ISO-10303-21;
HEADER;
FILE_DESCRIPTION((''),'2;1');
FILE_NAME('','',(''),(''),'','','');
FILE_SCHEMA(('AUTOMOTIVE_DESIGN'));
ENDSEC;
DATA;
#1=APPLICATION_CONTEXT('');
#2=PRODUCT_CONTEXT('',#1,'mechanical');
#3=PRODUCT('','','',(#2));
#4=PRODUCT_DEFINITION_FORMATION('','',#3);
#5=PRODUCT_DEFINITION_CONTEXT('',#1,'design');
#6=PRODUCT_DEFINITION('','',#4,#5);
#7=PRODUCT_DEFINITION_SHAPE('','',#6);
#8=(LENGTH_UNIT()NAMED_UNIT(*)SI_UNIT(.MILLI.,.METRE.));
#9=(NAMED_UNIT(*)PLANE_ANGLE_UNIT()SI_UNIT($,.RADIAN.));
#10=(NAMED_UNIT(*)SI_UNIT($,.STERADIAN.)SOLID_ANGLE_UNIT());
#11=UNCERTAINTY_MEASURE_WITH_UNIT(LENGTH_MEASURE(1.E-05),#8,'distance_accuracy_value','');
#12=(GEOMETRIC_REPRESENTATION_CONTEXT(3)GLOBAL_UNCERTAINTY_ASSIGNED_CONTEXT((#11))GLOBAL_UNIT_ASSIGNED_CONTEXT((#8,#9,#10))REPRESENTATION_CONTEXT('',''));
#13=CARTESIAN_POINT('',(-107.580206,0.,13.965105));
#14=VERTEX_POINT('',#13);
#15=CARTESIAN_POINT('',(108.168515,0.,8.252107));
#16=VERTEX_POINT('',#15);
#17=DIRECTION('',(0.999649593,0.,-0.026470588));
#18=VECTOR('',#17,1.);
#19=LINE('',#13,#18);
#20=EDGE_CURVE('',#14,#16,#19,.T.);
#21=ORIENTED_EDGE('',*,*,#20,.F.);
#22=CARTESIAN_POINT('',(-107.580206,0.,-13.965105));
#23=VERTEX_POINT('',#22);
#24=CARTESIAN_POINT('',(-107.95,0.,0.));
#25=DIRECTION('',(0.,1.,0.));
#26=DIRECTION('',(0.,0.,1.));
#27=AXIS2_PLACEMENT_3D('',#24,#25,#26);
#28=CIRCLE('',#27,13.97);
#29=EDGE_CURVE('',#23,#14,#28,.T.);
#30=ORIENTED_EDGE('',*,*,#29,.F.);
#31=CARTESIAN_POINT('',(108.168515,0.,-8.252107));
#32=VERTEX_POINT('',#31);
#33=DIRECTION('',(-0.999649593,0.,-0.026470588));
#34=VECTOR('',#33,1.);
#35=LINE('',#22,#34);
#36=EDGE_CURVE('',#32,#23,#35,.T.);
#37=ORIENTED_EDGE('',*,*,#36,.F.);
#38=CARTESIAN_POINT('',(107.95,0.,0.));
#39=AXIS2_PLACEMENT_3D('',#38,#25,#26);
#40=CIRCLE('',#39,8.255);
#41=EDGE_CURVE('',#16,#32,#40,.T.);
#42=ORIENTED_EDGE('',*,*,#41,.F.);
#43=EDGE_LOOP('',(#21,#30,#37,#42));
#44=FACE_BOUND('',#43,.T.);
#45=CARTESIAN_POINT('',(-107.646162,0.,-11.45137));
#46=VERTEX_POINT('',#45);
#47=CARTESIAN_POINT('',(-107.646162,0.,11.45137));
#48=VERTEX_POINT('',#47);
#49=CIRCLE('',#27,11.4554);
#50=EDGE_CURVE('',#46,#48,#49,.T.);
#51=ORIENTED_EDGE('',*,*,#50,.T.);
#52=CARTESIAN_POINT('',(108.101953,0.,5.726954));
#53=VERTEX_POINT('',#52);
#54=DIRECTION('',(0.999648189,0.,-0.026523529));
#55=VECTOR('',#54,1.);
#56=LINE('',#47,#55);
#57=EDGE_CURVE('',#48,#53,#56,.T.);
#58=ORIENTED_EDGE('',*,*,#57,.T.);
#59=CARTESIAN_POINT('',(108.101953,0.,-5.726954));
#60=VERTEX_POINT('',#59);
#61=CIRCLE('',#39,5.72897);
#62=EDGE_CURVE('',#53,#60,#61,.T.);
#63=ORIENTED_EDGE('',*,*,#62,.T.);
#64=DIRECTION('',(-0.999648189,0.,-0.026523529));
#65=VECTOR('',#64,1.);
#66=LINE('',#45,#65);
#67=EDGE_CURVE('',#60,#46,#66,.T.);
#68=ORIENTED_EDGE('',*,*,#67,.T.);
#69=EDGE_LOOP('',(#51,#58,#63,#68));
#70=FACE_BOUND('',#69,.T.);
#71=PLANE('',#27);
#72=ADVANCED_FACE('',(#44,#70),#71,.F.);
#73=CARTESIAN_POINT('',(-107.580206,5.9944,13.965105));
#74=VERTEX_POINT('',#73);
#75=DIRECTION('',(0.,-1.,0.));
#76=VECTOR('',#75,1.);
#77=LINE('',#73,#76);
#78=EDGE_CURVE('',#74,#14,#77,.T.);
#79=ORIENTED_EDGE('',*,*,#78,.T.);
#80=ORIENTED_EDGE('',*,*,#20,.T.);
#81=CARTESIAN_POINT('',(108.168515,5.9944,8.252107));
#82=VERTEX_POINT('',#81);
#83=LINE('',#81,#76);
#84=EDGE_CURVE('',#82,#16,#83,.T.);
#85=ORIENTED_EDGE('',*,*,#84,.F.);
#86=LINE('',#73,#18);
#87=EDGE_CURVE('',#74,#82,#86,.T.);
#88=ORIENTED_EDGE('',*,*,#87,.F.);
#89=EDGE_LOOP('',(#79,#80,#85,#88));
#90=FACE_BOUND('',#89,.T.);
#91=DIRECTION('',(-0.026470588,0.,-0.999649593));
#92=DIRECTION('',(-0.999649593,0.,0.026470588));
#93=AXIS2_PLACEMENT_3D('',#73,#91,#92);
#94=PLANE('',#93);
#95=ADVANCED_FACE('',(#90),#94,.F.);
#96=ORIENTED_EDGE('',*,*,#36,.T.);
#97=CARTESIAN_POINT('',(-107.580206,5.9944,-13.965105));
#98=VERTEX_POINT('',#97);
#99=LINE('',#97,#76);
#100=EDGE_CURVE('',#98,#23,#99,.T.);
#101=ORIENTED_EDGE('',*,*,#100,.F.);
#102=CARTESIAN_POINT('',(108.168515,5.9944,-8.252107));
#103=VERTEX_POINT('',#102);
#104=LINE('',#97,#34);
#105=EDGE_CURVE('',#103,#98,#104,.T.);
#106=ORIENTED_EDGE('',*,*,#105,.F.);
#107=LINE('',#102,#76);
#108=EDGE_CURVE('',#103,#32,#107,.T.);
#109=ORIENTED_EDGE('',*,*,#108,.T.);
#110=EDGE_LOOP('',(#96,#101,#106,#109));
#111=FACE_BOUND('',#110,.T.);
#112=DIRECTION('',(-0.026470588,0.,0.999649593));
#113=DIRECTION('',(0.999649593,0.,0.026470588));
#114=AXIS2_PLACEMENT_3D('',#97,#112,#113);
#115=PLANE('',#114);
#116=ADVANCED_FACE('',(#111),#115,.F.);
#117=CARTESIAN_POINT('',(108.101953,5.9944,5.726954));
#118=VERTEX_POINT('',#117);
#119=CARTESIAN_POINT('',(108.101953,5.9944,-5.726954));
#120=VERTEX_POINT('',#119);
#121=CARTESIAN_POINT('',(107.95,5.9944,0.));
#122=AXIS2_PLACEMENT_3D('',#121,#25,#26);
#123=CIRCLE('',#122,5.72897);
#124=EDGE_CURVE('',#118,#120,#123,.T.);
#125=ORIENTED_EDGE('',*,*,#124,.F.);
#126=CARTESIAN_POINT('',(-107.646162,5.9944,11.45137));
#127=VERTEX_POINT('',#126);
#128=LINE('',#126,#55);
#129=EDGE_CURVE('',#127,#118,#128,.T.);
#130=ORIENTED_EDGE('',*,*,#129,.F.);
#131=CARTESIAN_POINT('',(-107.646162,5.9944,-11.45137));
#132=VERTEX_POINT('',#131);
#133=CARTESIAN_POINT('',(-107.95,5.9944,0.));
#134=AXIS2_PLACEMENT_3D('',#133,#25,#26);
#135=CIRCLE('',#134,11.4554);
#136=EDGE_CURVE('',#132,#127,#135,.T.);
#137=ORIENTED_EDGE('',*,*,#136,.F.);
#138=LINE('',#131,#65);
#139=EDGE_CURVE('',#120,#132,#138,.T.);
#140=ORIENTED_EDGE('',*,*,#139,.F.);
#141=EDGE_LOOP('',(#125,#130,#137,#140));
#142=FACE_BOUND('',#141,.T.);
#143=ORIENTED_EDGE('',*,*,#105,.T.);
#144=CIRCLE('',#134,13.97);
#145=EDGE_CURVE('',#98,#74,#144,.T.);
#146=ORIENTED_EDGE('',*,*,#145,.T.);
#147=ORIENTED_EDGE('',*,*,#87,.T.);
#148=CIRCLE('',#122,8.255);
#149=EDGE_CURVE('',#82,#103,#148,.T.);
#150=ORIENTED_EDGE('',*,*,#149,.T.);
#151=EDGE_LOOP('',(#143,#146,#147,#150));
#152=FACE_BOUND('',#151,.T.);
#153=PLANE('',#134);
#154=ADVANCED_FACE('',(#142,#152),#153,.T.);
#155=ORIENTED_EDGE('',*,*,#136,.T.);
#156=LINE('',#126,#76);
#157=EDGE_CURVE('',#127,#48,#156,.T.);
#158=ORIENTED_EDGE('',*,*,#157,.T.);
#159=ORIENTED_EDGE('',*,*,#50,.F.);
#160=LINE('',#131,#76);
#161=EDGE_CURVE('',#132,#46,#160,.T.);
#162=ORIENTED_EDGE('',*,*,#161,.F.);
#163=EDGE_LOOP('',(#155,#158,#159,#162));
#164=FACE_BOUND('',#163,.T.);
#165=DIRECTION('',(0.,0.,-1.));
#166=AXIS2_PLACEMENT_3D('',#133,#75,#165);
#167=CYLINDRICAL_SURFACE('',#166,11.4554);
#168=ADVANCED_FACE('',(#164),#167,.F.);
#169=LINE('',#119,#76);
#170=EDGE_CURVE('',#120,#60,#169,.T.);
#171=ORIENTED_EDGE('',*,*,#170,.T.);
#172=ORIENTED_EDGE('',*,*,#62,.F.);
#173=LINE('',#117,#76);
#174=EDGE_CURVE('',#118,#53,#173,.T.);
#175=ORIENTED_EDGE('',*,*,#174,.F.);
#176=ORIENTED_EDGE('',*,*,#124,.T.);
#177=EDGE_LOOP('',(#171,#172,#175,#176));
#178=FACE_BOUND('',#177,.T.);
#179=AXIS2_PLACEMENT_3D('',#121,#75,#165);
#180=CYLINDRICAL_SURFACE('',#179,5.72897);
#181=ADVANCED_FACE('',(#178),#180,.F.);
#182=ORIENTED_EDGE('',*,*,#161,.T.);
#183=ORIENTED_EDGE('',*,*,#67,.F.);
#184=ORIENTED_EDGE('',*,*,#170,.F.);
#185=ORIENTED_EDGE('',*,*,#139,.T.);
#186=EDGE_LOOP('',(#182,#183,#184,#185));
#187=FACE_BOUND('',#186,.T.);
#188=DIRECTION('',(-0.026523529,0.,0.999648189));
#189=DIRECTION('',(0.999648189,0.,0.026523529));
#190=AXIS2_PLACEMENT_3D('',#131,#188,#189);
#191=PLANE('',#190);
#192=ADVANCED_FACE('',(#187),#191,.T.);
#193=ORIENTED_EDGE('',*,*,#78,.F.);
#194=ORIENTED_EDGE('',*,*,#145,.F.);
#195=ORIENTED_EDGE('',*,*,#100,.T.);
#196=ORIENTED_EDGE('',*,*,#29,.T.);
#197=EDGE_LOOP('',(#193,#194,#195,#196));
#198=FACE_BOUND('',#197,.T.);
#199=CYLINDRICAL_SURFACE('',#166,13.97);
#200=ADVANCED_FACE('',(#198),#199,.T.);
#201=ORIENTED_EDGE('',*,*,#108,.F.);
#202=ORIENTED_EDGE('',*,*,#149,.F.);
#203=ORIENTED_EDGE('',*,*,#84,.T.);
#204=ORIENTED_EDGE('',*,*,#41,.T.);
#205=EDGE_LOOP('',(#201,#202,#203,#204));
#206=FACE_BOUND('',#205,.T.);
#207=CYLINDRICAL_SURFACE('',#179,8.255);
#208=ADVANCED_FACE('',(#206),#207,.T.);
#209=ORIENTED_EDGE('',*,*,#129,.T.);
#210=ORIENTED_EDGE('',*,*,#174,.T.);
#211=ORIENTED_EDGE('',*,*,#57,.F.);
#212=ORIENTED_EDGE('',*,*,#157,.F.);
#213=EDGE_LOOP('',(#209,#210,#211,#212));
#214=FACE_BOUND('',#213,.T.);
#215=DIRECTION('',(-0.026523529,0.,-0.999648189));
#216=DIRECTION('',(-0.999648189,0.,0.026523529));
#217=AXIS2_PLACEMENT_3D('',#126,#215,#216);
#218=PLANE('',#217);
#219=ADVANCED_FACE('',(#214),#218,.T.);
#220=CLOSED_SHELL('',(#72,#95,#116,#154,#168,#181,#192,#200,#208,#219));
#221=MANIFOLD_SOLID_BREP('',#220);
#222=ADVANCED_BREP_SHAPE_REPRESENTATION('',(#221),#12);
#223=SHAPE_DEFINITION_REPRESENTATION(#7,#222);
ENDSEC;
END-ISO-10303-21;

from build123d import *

# Parameters (mm, degrees)
BOSS_EXTRUDE1_DEPTH = 5.9944


with BuildPart() as part:
    # Sketch1 → Boss-Extrude1 (new body)
    with BuildSketch(Plane(origin=(0, 0, 0), x_dir=(1, 0, 0), z_dir=(0, 1, 0))):
        with BuildLine():
            Line((-107.580205882, 13.965104808), (108.168514706, 8.252107387))
            ThreePointArc((108.168514706, 8.252107387), (116.205, 0), (108.168514706, -8.252107387))
            Line((108.168514706, -8.252107387), (-107.580205882, -13.965104808))
            ThreePointArc((-107.580205882, -13.965104808), (-121.92, 0), (-107.580205882, 13.965104808))
        make_face()
        with BuildLine():
            Line((-107.646162361, 11.451369868), (108.101952504, 5.726954487))
            ThreePointArc((108.101952504, 5.726954487), (113.67897, 0), (108.101952504, -5.726954487))
            Line((108.101952504, -5.726954487), (-107.646162361, -11.451369868))
            ThreePointArc((-107.646162361, -11.451369868), (-119.4054, 0), (-107.646162361, 11.451369868))
        make_face(mode=Mode.SUBTRACT)
    extrude(amount=BOSS_EXTRUDE1_DEPTH)


solid = part.part
